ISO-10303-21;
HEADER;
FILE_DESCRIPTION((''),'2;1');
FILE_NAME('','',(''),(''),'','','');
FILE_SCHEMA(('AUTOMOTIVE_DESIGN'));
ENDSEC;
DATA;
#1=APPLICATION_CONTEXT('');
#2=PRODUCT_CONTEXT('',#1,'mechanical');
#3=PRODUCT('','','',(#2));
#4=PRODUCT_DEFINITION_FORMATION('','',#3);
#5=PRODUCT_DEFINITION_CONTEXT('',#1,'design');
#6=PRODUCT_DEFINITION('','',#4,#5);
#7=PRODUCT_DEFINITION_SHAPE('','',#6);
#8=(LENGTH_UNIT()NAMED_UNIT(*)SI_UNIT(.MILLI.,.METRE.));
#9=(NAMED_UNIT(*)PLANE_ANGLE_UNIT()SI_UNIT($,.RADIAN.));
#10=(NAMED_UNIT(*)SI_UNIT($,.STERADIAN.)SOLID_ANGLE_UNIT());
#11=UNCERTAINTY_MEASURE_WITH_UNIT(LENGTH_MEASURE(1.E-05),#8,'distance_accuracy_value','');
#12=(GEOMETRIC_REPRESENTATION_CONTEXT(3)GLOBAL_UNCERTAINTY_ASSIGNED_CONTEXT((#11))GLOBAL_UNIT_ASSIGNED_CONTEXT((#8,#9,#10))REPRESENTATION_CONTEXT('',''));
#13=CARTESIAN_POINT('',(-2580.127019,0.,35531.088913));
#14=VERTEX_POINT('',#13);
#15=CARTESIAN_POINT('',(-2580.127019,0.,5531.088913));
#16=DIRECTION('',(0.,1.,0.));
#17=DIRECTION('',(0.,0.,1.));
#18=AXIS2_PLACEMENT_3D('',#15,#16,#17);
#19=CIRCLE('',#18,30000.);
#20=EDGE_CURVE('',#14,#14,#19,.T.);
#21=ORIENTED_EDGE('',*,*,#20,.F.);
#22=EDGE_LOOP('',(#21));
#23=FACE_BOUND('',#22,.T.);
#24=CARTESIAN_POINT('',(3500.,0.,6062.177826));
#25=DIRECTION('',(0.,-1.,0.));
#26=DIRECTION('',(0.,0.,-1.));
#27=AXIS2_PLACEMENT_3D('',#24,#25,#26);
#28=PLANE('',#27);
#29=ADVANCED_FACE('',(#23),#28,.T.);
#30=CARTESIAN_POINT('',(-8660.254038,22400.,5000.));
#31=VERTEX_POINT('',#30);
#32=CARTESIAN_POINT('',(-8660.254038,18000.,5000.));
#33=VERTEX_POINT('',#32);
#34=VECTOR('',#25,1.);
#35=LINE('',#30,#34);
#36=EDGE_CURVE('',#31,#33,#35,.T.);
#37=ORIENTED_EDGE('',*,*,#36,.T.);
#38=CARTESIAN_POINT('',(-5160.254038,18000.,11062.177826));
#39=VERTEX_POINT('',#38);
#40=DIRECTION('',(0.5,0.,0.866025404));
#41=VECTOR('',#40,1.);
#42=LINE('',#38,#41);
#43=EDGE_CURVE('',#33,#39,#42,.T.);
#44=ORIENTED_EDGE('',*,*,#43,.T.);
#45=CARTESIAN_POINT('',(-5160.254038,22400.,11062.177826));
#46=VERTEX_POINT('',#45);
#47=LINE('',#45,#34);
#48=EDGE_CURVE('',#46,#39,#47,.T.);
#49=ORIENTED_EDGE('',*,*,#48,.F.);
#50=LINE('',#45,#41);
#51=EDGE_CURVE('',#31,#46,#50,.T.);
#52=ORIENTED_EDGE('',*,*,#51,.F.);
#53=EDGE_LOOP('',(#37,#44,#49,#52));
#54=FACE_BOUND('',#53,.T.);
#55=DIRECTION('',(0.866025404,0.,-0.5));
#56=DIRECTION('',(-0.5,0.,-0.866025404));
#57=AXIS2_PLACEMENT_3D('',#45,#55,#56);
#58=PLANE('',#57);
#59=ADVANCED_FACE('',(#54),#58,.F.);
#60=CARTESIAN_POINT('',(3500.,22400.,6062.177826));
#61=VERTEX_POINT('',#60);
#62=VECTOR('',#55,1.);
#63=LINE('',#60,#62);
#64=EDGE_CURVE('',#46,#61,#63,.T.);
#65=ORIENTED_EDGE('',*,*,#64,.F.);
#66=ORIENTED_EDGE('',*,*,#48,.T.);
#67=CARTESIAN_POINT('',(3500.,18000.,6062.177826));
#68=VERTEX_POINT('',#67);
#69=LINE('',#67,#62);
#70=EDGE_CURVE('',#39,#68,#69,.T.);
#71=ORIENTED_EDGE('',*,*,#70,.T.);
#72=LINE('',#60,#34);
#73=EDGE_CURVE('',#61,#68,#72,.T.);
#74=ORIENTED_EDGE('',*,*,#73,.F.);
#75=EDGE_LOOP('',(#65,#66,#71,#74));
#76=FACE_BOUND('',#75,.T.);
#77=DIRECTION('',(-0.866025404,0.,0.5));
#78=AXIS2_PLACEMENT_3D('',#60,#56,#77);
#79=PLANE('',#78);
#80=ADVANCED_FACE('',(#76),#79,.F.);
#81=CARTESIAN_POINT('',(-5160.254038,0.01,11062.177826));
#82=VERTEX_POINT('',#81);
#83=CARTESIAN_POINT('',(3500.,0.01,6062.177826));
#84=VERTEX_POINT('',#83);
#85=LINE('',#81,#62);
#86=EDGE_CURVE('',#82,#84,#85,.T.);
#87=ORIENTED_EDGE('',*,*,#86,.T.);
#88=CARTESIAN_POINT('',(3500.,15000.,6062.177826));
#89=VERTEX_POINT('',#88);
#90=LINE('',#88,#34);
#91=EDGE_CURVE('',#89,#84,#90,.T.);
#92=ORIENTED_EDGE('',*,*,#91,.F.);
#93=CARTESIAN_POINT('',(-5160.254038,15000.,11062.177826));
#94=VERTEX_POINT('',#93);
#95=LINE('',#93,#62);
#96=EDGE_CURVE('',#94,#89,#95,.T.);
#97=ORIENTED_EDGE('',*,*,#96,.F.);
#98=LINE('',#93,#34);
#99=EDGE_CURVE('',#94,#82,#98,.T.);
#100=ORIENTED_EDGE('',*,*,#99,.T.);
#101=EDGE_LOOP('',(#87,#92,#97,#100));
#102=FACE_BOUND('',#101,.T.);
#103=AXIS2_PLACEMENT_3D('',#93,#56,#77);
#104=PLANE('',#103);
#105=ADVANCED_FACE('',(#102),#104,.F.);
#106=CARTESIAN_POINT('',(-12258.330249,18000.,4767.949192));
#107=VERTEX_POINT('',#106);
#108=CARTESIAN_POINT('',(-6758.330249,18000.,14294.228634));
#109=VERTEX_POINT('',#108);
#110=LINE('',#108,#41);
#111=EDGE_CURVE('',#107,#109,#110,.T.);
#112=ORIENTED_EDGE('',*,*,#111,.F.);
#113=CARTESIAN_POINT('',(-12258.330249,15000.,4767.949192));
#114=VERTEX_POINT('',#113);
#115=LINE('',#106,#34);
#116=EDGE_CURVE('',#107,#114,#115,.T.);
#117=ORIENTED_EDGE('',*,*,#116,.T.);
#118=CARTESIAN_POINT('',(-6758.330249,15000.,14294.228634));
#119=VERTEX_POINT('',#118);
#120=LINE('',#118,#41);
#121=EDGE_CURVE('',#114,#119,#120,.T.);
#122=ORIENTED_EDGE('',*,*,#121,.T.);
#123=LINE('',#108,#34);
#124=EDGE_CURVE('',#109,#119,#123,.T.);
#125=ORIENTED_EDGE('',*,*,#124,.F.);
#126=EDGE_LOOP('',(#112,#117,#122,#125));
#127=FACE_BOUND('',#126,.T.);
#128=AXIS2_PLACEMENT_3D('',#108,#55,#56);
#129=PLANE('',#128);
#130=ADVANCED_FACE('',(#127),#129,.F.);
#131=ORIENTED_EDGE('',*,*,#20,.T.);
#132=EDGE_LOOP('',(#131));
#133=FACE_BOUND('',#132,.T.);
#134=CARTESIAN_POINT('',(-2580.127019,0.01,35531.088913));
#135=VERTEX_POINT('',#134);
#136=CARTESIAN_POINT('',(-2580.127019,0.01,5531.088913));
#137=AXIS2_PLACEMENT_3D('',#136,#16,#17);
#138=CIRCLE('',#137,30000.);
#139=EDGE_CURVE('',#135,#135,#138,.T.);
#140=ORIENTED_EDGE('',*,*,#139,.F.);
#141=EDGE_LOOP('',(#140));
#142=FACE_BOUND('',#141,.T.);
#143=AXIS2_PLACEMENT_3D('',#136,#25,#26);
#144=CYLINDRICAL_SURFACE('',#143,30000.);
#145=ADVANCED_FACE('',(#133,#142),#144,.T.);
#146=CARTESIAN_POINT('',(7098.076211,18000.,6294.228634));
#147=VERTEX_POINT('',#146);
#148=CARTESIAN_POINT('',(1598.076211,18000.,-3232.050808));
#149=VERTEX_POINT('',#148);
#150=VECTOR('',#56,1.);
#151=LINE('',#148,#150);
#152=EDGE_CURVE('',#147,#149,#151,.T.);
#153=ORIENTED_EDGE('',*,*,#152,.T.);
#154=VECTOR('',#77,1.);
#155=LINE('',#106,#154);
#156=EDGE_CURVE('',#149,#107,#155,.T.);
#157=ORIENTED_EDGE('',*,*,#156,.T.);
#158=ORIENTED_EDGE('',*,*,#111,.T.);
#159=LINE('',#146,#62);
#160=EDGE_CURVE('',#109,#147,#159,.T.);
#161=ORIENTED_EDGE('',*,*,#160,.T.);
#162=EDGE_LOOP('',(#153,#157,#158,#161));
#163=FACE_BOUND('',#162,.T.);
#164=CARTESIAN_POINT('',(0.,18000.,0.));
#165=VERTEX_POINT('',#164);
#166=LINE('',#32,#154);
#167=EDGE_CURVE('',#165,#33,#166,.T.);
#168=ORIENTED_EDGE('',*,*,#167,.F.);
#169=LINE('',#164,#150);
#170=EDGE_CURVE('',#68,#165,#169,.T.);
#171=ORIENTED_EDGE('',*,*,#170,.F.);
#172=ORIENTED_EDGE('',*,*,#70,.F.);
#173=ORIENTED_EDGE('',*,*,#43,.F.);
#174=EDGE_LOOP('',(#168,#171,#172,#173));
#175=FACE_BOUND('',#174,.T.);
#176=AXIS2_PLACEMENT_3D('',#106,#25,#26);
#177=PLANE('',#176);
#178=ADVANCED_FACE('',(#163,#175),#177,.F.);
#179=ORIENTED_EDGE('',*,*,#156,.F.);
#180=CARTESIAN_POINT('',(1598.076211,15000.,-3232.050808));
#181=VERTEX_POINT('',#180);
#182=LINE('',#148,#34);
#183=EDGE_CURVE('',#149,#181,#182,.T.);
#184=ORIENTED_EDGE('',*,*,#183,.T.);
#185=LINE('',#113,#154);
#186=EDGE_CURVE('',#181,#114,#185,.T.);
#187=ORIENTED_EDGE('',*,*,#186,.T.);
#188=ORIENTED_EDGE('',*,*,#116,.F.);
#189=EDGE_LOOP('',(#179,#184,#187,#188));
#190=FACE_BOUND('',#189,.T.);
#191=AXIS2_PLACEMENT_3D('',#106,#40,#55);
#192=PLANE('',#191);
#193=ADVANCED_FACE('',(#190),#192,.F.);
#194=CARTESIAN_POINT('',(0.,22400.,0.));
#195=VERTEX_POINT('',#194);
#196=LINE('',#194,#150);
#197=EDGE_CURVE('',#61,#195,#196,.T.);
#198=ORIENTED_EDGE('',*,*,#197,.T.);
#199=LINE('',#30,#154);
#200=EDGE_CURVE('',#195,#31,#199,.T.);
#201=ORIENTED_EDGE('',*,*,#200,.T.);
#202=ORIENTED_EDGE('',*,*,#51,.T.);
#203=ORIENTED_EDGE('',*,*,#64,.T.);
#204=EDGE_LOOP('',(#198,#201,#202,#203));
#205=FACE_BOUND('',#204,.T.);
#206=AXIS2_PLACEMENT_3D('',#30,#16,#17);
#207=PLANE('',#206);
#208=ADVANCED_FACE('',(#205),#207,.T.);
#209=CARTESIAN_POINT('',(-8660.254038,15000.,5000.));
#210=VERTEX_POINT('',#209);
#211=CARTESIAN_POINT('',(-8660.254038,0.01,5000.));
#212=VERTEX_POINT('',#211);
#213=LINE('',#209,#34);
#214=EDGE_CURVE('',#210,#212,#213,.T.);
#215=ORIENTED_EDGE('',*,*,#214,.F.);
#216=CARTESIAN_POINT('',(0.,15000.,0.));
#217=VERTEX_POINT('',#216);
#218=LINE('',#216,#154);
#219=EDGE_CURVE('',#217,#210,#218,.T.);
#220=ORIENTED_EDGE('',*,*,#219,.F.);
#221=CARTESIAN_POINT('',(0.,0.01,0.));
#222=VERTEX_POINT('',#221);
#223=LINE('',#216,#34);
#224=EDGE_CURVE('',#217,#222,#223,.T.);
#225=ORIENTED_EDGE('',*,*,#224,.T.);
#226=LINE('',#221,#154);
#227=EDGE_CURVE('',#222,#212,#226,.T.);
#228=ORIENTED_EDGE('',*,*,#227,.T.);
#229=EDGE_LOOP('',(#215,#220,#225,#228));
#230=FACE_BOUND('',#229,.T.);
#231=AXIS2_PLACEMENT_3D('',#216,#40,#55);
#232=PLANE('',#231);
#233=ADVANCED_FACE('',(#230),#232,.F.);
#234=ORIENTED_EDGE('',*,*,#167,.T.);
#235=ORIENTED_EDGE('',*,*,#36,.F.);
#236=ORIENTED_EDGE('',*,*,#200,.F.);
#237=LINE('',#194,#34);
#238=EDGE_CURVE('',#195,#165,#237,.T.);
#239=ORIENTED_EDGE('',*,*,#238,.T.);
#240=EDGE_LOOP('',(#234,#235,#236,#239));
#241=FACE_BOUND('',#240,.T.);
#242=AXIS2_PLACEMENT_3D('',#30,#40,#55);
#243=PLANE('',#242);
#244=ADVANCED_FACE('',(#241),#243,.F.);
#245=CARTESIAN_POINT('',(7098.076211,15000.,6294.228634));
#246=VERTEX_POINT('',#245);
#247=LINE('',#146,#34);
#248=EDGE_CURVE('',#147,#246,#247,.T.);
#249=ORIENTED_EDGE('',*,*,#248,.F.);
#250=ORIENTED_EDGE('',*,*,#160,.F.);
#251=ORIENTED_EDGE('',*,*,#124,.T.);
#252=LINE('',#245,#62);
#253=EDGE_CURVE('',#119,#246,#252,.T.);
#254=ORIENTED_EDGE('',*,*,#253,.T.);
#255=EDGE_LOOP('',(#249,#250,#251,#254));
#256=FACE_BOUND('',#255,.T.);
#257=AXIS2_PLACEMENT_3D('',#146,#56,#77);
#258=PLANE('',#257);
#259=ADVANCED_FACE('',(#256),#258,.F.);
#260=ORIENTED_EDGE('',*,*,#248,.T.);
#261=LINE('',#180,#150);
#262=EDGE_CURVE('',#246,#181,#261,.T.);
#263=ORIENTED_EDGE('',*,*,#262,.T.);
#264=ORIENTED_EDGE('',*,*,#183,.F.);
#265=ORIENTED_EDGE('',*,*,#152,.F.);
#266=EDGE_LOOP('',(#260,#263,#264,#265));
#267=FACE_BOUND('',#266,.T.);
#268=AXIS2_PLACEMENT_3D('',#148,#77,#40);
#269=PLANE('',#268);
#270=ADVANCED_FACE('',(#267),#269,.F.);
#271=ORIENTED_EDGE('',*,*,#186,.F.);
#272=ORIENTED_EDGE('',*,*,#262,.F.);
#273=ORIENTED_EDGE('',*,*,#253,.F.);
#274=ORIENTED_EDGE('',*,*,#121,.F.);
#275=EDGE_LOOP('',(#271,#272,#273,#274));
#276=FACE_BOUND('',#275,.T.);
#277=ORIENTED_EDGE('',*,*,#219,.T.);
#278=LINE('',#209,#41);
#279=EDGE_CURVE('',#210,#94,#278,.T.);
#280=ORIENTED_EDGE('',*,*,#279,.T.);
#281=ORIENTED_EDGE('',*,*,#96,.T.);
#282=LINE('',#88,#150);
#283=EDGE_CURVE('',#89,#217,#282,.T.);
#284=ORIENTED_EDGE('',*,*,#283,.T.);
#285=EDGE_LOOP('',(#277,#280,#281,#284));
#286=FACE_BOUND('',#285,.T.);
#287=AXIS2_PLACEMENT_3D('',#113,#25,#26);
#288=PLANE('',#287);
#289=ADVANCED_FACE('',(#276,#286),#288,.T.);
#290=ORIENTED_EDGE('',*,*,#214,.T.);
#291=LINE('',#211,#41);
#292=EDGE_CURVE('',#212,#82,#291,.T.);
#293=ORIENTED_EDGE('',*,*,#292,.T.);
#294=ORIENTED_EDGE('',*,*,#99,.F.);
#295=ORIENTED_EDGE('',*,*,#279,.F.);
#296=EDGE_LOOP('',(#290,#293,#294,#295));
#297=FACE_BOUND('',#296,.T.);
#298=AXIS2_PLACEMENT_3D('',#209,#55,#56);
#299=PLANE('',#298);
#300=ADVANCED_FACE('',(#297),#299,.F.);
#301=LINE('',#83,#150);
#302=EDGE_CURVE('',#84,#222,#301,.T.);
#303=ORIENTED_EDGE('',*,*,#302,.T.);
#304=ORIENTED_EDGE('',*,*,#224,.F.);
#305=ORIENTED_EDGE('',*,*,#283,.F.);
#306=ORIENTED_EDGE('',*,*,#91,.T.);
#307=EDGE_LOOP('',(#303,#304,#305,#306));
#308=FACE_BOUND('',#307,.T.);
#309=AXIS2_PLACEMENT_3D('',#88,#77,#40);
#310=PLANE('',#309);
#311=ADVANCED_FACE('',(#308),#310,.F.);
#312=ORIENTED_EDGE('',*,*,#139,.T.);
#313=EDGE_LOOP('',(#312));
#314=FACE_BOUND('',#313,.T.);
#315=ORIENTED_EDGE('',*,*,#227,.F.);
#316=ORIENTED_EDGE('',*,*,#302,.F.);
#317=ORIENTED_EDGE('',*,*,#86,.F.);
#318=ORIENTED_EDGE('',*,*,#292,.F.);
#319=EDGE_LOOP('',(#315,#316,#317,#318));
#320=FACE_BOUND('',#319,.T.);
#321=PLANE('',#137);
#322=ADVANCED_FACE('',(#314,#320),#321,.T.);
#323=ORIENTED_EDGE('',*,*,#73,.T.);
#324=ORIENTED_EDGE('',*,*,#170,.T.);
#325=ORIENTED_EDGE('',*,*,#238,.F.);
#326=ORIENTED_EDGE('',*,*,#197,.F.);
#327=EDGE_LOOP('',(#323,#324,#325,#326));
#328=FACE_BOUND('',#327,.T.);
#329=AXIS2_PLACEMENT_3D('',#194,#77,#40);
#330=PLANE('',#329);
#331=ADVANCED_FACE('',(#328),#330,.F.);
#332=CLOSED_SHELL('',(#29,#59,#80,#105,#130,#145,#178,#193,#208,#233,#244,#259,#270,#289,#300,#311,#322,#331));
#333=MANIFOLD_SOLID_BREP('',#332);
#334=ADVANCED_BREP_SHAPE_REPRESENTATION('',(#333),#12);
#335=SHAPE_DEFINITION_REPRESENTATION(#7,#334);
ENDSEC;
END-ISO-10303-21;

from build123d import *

# Parameters (mm, degrees)
EXTRUDE1_DEPTH = 15000
EXTRUDE2_DEPTH = 3000
EXTRUDE3_DEPTH = 4400
SKETCH4_R      = 30000
EXTRUDE4_DEPTH = 0.01


with BuildPart() as part:
    # Sketch1 → Extrude1 (new body)
    with BuildSketch(Plane(origin=(0, 0, 0), x_dir=(1, 0, 0), z_dir=(0, 1, 0))):
        Polygon((0, 0), (-8660.254037844, -5000), (-5160.254037844, -11062.177826491), (3500, -6062.177826491), align=None)
    extrude(amount=EXTRUDE1_DEPTH)

    # Sketch2 → Extrude2 (add)
    with BuildSketch(Plane(origin=(0, 15000, 0), x_dir=(-1, 0, 0), z_dir=(0, 1, 0))):
        Polygon((12258.330249198, 4767.949192431), (-1598.076211353, -3232.050807569), (-7098.076211353, 6294.22863406), (6758.330249198, 14294.22863406), align=None)
    extrude(amount=EXTRUDE2_DEPTH)

    # Sketch3 → Extrude3 (add)
    with BuildSketch(Plane(origin=(0, 18000, 0), x_dir=(-1, 0, 0), z_dir=(0, 1, 0))):
        Polygon((0, 0), (-3500, 6062.177826491), (5160.254037844, 11062.177826491), (8660.254037844, 5000), align=None)
    extrude(amount=EXTRUDE3_DEPTH)

    # Sketch4 → Extrude4 (add)
    with BuildSketch(Plane(origin=(0, 0, 0), x_dir=(1, 0, 0), z_dir=(0, 1, 0))):
        with Locations(Location((-2580.127018922, -5531.088913246, 0), (0, 0, 270))):  # turned: the seam where the file's is
            Circle(SKETCH4_R)
    extrude(amount=EXTRUDE4_DEPTH)


solid = part.part
